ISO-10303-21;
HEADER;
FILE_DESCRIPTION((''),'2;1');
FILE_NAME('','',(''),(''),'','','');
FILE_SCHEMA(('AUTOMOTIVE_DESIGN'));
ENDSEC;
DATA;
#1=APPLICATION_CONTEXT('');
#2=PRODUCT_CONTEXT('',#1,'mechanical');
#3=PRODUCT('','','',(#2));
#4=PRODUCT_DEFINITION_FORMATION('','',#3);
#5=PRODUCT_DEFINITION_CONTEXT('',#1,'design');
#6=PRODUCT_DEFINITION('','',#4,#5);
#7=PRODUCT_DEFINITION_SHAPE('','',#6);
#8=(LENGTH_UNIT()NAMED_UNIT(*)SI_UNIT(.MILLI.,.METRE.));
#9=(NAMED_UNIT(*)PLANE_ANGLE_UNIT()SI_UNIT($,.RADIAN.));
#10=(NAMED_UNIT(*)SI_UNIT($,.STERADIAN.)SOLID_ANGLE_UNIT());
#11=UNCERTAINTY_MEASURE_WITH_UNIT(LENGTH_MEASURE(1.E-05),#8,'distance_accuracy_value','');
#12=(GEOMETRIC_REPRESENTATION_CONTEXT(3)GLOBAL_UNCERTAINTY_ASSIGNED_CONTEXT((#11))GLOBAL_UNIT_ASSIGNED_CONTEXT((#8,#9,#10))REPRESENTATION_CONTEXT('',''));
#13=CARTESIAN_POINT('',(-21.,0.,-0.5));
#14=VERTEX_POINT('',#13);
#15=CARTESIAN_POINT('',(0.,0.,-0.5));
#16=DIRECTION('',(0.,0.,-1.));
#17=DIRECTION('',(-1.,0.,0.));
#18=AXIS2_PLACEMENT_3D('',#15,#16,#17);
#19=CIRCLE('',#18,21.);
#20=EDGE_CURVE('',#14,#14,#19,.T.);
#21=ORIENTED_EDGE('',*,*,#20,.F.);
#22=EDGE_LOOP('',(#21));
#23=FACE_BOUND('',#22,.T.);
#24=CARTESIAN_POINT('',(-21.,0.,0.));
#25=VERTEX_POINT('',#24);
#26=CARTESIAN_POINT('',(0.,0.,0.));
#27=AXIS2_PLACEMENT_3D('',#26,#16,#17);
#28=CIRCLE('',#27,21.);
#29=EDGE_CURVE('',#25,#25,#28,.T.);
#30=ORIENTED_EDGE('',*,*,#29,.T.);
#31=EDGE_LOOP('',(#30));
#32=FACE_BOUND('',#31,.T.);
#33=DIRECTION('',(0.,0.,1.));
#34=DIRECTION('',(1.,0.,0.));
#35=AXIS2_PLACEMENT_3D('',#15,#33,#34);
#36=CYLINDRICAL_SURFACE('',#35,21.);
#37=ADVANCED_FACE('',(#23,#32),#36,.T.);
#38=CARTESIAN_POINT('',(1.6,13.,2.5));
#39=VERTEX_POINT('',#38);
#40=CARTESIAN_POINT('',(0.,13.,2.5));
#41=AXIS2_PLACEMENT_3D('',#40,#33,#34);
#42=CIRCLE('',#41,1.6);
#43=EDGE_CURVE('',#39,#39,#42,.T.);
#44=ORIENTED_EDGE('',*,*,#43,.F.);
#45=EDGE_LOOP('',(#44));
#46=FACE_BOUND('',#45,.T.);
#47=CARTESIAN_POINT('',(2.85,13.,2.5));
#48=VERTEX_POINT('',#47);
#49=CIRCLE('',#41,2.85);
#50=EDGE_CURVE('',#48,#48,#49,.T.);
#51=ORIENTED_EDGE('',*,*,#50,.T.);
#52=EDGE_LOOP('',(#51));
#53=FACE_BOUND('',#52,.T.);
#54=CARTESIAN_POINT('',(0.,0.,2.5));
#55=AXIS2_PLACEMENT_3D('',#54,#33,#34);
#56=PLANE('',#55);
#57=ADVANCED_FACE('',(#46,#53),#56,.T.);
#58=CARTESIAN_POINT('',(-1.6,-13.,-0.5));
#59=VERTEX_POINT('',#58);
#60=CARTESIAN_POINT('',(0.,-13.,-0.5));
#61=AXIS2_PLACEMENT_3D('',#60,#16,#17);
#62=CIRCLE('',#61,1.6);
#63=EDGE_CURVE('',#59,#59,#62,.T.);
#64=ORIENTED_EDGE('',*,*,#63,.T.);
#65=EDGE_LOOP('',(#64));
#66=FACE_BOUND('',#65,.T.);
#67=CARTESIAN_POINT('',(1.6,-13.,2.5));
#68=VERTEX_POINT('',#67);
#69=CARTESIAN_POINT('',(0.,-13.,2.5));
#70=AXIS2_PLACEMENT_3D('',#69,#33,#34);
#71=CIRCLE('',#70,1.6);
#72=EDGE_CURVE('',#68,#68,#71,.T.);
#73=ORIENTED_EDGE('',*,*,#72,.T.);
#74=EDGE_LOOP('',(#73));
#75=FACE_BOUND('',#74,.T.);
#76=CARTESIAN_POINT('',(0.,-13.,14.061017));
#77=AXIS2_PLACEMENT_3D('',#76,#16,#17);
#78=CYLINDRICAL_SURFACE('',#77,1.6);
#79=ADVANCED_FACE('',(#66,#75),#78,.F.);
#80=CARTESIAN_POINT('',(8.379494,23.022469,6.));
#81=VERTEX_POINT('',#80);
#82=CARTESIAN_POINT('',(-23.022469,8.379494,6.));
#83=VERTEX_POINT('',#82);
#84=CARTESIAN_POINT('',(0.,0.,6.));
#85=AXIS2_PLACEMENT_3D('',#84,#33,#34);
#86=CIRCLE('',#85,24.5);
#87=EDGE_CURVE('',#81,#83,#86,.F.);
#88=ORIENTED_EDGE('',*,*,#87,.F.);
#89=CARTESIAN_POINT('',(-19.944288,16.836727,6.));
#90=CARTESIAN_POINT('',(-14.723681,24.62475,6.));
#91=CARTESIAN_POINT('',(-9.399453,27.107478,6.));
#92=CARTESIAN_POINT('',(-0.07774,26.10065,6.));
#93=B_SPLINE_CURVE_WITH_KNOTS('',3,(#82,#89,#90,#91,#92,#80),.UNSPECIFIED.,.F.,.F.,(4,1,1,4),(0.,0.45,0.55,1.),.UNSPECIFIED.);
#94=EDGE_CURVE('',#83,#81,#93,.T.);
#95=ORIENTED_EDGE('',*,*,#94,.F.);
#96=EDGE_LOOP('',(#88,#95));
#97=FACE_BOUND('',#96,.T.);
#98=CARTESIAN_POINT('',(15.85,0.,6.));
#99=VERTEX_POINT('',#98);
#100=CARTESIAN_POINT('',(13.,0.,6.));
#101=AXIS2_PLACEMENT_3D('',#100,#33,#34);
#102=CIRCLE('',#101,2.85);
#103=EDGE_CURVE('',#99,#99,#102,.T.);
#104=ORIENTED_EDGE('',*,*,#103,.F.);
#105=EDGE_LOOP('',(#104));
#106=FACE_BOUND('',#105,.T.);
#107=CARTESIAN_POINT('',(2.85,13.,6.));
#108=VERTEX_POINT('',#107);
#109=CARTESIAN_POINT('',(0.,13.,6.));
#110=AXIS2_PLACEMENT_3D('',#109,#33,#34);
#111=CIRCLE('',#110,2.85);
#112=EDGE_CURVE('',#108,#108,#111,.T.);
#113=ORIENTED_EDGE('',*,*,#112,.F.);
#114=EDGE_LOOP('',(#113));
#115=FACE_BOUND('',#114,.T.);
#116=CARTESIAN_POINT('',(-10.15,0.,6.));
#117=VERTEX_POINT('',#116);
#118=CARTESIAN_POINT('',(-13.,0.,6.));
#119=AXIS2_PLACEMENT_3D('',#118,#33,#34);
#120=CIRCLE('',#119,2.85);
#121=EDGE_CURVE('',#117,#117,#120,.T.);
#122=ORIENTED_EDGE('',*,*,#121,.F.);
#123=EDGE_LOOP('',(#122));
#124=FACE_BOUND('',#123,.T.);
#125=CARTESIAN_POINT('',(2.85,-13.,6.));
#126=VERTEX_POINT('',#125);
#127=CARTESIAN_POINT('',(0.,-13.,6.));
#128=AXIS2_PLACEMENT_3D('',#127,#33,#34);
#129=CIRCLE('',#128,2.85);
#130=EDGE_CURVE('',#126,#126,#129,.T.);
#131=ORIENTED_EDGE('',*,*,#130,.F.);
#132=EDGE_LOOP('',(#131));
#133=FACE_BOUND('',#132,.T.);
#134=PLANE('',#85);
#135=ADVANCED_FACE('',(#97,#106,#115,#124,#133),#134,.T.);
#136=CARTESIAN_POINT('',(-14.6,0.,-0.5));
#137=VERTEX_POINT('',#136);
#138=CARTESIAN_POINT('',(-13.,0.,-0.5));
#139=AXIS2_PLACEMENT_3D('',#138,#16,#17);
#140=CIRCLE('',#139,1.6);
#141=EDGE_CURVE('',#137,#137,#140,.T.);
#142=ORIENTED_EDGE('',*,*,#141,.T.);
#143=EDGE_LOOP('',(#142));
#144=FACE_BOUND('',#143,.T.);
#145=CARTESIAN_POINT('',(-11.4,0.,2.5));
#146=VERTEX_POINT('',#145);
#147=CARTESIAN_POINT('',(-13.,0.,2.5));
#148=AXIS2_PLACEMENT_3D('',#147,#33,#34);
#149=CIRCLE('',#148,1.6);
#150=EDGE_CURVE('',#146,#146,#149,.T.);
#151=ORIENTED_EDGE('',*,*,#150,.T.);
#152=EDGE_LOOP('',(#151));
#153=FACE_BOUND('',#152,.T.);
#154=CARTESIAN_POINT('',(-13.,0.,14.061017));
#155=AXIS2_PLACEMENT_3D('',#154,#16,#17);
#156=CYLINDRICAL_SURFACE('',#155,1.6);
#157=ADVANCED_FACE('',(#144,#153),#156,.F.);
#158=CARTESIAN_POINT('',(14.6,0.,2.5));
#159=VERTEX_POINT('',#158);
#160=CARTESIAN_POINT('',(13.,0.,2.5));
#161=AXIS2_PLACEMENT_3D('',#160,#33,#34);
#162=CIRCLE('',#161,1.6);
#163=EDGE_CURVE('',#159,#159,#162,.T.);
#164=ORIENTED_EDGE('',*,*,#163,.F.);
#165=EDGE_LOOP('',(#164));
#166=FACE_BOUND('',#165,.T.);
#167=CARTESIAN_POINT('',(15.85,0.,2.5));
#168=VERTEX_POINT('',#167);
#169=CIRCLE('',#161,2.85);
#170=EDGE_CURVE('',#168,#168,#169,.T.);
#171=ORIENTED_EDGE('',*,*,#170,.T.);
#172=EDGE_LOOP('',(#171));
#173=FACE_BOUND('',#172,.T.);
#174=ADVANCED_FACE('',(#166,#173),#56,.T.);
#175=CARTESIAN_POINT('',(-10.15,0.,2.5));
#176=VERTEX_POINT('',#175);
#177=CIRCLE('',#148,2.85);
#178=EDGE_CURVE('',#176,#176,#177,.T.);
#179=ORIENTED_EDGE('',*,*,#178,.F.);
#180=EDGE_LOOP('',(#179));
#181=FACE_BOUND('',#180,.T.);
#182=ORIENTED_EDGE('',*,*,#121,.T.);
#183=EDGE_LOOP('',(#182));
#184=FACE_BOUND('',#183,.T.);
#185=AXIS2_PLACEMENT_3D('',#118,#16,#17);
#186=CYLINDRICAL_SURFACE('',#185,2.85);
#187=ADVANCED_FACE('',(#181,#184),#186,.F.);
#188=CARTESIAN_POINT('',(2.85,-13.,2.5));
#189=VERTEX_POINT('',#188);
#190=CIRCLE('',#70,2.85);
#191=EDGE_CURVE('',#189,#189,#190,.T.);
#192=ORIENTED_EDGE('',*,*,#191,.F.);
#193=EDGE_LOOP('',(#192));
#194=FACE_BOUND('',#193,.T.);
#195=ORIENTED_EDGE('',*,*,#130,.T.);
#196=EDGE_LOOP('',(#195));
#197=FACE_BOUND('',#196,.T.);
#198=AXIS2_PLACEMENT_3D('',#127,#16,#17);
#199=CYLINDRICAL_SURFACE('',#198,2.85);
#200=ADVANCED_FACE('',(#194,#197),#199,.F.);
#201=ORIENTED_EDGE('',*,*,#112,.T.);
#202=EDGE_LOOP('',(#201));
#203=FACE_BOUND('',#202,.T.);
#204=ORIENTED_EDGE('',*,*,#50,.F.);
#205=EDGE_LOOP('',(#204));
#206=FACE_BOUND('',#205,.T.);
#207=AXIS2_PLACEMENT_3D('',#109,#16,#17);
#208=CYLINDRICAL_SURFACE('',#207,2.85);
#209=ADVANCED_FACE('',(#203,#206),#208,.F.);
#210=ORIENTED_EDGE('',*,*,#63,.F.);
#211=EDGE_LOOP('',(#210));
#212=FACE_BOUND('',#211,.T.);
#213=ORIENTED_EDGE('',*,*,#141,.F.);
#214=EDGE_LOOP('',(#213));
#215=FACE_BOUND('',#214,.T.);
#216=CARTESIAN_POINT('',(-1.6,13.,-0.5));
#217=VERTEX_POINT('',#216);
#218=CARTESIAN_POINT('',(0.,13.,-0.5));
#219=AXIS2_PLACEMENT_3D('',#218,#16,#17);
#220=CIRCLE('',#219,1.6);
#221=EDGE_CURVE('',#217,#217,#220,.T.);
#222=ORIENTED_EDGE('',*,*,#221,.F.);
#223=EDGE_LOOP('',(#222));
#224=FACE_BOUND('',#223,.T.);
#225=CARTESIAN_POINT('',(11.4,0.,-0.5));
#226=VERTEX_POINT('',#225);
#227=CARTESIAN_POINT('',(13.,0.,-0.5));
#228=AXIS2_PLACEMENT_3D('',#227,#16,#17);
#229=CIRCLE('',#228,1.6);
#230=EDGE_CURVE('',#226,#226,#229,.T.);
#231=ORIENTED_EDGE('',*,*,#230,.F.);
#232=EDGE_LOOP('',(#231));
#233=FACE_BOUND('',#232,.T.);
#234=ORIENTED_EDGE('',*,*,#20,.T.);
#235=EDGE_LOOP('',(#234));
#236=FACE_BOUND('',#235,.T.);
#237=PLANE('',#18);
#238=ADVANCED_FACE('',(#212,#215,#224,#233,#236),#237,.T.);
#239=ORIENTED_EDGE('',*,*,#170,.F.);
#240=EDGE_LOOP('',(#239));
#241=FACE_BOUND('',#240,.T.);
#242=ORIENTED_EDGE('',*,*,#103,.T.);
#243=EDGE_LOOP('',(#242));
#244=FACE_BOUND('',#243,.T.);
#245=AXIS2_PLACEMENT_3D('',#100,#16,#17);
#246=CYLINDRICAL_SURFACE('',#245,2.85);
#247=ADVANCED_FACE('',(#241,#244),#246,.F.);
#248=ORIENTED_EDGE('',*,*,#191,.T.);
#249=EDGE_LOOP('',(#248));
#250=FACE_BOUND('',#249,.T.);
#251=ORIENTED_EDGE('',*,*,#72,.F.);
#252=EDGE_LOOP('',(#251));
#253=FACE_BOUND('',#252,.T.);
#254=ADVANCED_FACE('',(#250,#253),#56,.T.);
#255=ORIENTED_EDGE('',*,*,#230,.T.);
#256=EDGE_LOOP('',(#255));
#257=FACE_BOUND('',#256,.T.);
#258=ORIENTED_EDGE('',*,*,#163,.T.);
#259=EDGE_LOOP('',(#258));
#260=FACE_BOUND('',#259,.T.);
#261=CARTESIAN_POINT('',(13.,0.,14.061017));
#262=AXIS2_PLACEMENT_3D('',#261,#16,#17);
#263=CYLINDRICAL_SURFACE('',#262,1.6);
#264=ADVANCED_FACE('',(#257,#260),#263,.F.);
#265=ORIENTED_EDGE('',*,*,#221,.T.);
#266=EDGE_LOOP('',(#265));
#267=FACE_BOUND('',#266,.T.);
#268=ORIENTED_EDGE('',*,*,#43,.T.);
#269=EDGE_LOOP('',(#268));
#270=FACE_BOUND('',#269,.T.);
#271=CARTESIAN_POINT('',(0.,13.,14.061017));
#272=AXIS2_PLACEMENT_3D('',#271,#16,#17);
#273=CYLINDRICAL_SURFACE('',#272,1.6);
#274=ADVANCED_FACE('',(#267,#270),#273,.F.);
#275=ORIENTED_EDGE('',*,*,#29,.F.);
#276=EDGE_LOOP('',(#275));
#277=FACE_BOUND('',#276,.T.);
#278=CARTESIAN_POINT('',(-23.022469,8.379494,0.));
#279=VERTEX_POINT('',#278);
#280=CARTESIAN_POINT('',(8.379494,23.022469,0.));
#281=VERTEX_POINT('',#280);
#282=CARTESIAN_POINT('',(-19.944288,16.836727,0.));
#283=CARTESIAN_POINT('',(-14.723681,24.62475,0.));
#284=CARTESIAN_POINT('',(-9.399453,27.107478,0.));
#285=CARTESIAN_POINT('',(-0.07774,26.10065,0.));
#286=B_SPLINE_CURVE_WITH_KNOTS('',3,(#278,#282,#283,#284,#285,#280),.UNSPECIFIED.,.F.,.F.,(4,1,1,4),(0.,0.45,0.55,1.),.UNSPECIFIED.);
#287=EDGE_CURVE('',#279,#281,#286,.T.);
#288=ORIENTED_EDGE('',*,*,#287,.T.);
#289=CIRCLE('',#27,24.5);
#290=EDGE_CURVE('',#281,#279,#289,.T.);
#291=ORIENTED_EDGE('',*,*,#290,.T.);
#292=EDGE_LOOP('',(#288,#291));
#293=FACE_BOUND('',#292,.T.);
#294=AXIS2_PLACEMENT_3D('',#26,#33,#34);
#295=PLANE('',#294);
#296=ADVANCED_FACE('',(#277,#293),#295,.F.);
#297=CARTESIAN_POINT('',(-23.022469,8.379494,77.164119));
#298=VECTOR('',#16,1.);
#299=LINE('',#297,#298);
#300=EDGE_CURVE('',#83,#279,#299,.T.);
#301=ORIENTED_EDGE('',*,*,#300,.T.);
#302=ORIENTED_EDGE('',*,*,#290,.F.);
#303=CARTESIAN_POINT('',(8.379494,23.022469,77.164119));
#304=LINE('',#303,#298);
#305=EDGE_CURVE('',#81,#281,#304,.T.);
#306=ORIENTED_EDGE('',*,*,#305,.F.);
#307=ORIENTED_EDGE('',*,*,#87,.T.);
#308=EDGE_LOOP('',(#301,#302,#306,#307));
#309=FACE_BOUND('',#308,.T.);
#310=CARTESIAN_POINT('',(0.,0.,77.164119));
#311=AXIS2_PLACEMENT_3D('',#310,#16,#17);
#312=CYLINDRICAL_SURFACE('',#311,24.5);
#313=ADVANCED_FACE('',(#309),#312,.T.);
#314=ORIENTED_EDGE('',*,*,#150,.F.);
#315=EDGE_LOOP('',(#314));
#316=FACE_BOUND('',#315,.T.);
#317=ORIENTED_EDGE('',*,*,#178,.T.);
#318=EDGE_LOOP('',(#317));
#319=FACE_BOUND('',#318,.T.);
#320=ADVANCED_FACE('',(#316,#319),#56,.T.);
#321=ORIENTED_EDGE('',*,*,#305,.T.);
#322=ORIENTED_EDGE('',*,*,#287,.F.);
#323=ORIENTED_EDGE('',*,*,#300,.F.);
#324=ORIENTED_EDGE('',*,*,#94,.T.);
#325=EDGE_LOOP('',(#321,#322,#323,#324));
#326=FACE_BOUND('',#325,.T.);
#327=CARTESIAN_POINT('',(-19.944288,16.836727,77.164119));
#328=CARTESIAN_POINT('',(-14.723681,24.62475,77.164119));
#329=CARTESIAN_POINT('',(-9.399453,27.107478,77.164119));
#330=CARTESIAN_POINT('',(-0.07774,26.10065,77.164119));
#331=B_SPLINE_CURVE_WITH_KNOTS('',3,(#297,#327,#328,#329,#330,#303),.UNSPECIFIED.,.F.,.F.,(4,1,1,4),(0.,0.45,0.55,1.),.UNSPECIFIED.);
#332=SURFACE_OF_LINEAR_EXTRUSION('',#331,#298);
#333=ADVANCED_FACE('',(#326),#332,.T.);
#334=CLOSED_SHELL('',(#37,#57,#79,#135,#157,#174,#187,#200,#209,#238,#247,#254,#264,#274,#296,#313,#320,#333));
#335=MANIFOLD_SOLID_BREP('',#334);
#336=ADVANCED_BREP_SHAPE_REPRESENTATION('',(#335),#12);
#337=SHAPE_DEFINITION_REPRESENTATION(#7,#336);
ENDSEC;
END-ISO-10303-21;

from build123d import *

# Parameters (mm, degrees)
SKETCH1_R           = 21
SKETCH1_R_2         = 2.85
BOSS_EXTRUDE1_DEPTH = 6
SKETCH2_R           = 24.5
SKETCH2_R_2         = 21
BOSS_EXTRUDE3_DEPTH = 6
SKETCH1_4_R         = 2.85
SKETCH1_4_R_2       = 1.6
BOSS_EXTRUDE2_DEPTH = 2.5
SKETCH3_R           = 21
SKETCH3_R_2         = 1.6
BOSS_EXTRUDE4_DEPTH = 0.5


with BuildPart() as part:
    # Sketch1 → Boss-Extrude1 (new body)
    with BuildSketch(Plane(origin=(0, 0, 0), x_dir=(0, 1, 0), z_dir=(0, 0, 1))):
        Circle(SKETCH1_R)
        with Locations((-13, 0)):
            Circle(SKETCH1_R_2, mode=Mode.SUBTRACT)
        with Locations((0, -13)):
            Circle(SKETCH1_R_2, mode=Mode.SUBTRACT)
        with Locations((13, 0)):
            Circle(SKETCH1_R_2, mode=Mode.SUBTRACT)
        with Locations((0, 13)):
            Circle(SKETCH1_R_2, mode=Mode.SUBTRACT)
    extrude(amount=BOSS_EXTRUDE1_DEPTH)

    # Sketch2 → Boss-Extrude3 (add)
    with BuildSketch(Plane(origin=(0, 0, 0), x_dir=(1, 0, 0), z_dir=(0, 0, -1))):
        Circle(SKETCH2_R)
        Circle(SKETCH2_R_2, mode=Mode.SUBTRACT)
        with BuildLine():
            ThreePointArc((8.379493511, -23.022469209), (-10.354147413, -22.204540782), (-23.022469209, -8.379493511))
            add(Edge.make_bspline(
                [(-23.022469209, -8.379493511), (-19.944287919, -16.836727099), (-14.723681196, -24.624750138), (-9.399453165, -27.107478442), (-0.077740076, -26.100650499), (8.379493511, -23.022469209)],
                knots=[0, 0, 0, 0, 0.45, 0.55, 1, 1, 1, 1], degree=3))
        make_face()
    extrude(amount=-BOSS_EXTRUDE3_DEPTH)

    # Sketch1<4> → Boss-Extrude2 (add)
    with BuildSketch(Plane(origin=(0, 0, 0), x_dir=(0, 1, 0), z_dir=(0, 0, 1))):
        with Locations((-13, 0)):
            Circle(SKETCH1_4_R)
        with Locations((-13, 0)):
            Circle(SKETCH1_4_R_2, mode=Mode.SUBTRACT)
        with Locations((0, 13)):
            Circle(SKETCH1_4_R)
        with Locations((0, 13)):
            Circle(SKETCH1_4_R_2, mode=Mode.SUBTRACT)
        with Locations((13, 0)):
            Circle(SKETCH1_4_R)
        with Locations((13, 0)):
            Circle(SKETCH1_4_R_2, mode=Mode.SUBTRACT)
        with Locations((0, -13)):
            Circle(SKETCH1_4_R)
        with Locations((0, -13)):
            Circle(SKETCH1_4_R_2, mode=Mode.SUBTRACT)
    extrude(amount=BOSS_EXTRUDE2_DEPTH)

    # Sketch3 → Boss-Extrude4 (add)
    with BuildSketch(Plane(origin=(0, 0, 0), x_dir=(1, 0, 0), z_dir=(0, 0, -1))):
        Circle(SKETCH3_R)
        with Locations((13, 0)):
            Circle(SKETCH3_R_2, mode=Mode.SUBTRACT)
        with Locations((0, 13)):
            Circle(SKETCH3_R_2, mode=Mode.SUBTRACT)
        with Locations((-13, 0)):
            Circle(SKETCH3_R_2, mode=Mode.SUBTRACT)
        with Locations((0, -13)):
            Circle(SKETCH3_R_2, mode=Mode.SUBTRACT)
    extrude(amount=BOSS_EXTRUDE4_DEPTH)


solid = part.part
